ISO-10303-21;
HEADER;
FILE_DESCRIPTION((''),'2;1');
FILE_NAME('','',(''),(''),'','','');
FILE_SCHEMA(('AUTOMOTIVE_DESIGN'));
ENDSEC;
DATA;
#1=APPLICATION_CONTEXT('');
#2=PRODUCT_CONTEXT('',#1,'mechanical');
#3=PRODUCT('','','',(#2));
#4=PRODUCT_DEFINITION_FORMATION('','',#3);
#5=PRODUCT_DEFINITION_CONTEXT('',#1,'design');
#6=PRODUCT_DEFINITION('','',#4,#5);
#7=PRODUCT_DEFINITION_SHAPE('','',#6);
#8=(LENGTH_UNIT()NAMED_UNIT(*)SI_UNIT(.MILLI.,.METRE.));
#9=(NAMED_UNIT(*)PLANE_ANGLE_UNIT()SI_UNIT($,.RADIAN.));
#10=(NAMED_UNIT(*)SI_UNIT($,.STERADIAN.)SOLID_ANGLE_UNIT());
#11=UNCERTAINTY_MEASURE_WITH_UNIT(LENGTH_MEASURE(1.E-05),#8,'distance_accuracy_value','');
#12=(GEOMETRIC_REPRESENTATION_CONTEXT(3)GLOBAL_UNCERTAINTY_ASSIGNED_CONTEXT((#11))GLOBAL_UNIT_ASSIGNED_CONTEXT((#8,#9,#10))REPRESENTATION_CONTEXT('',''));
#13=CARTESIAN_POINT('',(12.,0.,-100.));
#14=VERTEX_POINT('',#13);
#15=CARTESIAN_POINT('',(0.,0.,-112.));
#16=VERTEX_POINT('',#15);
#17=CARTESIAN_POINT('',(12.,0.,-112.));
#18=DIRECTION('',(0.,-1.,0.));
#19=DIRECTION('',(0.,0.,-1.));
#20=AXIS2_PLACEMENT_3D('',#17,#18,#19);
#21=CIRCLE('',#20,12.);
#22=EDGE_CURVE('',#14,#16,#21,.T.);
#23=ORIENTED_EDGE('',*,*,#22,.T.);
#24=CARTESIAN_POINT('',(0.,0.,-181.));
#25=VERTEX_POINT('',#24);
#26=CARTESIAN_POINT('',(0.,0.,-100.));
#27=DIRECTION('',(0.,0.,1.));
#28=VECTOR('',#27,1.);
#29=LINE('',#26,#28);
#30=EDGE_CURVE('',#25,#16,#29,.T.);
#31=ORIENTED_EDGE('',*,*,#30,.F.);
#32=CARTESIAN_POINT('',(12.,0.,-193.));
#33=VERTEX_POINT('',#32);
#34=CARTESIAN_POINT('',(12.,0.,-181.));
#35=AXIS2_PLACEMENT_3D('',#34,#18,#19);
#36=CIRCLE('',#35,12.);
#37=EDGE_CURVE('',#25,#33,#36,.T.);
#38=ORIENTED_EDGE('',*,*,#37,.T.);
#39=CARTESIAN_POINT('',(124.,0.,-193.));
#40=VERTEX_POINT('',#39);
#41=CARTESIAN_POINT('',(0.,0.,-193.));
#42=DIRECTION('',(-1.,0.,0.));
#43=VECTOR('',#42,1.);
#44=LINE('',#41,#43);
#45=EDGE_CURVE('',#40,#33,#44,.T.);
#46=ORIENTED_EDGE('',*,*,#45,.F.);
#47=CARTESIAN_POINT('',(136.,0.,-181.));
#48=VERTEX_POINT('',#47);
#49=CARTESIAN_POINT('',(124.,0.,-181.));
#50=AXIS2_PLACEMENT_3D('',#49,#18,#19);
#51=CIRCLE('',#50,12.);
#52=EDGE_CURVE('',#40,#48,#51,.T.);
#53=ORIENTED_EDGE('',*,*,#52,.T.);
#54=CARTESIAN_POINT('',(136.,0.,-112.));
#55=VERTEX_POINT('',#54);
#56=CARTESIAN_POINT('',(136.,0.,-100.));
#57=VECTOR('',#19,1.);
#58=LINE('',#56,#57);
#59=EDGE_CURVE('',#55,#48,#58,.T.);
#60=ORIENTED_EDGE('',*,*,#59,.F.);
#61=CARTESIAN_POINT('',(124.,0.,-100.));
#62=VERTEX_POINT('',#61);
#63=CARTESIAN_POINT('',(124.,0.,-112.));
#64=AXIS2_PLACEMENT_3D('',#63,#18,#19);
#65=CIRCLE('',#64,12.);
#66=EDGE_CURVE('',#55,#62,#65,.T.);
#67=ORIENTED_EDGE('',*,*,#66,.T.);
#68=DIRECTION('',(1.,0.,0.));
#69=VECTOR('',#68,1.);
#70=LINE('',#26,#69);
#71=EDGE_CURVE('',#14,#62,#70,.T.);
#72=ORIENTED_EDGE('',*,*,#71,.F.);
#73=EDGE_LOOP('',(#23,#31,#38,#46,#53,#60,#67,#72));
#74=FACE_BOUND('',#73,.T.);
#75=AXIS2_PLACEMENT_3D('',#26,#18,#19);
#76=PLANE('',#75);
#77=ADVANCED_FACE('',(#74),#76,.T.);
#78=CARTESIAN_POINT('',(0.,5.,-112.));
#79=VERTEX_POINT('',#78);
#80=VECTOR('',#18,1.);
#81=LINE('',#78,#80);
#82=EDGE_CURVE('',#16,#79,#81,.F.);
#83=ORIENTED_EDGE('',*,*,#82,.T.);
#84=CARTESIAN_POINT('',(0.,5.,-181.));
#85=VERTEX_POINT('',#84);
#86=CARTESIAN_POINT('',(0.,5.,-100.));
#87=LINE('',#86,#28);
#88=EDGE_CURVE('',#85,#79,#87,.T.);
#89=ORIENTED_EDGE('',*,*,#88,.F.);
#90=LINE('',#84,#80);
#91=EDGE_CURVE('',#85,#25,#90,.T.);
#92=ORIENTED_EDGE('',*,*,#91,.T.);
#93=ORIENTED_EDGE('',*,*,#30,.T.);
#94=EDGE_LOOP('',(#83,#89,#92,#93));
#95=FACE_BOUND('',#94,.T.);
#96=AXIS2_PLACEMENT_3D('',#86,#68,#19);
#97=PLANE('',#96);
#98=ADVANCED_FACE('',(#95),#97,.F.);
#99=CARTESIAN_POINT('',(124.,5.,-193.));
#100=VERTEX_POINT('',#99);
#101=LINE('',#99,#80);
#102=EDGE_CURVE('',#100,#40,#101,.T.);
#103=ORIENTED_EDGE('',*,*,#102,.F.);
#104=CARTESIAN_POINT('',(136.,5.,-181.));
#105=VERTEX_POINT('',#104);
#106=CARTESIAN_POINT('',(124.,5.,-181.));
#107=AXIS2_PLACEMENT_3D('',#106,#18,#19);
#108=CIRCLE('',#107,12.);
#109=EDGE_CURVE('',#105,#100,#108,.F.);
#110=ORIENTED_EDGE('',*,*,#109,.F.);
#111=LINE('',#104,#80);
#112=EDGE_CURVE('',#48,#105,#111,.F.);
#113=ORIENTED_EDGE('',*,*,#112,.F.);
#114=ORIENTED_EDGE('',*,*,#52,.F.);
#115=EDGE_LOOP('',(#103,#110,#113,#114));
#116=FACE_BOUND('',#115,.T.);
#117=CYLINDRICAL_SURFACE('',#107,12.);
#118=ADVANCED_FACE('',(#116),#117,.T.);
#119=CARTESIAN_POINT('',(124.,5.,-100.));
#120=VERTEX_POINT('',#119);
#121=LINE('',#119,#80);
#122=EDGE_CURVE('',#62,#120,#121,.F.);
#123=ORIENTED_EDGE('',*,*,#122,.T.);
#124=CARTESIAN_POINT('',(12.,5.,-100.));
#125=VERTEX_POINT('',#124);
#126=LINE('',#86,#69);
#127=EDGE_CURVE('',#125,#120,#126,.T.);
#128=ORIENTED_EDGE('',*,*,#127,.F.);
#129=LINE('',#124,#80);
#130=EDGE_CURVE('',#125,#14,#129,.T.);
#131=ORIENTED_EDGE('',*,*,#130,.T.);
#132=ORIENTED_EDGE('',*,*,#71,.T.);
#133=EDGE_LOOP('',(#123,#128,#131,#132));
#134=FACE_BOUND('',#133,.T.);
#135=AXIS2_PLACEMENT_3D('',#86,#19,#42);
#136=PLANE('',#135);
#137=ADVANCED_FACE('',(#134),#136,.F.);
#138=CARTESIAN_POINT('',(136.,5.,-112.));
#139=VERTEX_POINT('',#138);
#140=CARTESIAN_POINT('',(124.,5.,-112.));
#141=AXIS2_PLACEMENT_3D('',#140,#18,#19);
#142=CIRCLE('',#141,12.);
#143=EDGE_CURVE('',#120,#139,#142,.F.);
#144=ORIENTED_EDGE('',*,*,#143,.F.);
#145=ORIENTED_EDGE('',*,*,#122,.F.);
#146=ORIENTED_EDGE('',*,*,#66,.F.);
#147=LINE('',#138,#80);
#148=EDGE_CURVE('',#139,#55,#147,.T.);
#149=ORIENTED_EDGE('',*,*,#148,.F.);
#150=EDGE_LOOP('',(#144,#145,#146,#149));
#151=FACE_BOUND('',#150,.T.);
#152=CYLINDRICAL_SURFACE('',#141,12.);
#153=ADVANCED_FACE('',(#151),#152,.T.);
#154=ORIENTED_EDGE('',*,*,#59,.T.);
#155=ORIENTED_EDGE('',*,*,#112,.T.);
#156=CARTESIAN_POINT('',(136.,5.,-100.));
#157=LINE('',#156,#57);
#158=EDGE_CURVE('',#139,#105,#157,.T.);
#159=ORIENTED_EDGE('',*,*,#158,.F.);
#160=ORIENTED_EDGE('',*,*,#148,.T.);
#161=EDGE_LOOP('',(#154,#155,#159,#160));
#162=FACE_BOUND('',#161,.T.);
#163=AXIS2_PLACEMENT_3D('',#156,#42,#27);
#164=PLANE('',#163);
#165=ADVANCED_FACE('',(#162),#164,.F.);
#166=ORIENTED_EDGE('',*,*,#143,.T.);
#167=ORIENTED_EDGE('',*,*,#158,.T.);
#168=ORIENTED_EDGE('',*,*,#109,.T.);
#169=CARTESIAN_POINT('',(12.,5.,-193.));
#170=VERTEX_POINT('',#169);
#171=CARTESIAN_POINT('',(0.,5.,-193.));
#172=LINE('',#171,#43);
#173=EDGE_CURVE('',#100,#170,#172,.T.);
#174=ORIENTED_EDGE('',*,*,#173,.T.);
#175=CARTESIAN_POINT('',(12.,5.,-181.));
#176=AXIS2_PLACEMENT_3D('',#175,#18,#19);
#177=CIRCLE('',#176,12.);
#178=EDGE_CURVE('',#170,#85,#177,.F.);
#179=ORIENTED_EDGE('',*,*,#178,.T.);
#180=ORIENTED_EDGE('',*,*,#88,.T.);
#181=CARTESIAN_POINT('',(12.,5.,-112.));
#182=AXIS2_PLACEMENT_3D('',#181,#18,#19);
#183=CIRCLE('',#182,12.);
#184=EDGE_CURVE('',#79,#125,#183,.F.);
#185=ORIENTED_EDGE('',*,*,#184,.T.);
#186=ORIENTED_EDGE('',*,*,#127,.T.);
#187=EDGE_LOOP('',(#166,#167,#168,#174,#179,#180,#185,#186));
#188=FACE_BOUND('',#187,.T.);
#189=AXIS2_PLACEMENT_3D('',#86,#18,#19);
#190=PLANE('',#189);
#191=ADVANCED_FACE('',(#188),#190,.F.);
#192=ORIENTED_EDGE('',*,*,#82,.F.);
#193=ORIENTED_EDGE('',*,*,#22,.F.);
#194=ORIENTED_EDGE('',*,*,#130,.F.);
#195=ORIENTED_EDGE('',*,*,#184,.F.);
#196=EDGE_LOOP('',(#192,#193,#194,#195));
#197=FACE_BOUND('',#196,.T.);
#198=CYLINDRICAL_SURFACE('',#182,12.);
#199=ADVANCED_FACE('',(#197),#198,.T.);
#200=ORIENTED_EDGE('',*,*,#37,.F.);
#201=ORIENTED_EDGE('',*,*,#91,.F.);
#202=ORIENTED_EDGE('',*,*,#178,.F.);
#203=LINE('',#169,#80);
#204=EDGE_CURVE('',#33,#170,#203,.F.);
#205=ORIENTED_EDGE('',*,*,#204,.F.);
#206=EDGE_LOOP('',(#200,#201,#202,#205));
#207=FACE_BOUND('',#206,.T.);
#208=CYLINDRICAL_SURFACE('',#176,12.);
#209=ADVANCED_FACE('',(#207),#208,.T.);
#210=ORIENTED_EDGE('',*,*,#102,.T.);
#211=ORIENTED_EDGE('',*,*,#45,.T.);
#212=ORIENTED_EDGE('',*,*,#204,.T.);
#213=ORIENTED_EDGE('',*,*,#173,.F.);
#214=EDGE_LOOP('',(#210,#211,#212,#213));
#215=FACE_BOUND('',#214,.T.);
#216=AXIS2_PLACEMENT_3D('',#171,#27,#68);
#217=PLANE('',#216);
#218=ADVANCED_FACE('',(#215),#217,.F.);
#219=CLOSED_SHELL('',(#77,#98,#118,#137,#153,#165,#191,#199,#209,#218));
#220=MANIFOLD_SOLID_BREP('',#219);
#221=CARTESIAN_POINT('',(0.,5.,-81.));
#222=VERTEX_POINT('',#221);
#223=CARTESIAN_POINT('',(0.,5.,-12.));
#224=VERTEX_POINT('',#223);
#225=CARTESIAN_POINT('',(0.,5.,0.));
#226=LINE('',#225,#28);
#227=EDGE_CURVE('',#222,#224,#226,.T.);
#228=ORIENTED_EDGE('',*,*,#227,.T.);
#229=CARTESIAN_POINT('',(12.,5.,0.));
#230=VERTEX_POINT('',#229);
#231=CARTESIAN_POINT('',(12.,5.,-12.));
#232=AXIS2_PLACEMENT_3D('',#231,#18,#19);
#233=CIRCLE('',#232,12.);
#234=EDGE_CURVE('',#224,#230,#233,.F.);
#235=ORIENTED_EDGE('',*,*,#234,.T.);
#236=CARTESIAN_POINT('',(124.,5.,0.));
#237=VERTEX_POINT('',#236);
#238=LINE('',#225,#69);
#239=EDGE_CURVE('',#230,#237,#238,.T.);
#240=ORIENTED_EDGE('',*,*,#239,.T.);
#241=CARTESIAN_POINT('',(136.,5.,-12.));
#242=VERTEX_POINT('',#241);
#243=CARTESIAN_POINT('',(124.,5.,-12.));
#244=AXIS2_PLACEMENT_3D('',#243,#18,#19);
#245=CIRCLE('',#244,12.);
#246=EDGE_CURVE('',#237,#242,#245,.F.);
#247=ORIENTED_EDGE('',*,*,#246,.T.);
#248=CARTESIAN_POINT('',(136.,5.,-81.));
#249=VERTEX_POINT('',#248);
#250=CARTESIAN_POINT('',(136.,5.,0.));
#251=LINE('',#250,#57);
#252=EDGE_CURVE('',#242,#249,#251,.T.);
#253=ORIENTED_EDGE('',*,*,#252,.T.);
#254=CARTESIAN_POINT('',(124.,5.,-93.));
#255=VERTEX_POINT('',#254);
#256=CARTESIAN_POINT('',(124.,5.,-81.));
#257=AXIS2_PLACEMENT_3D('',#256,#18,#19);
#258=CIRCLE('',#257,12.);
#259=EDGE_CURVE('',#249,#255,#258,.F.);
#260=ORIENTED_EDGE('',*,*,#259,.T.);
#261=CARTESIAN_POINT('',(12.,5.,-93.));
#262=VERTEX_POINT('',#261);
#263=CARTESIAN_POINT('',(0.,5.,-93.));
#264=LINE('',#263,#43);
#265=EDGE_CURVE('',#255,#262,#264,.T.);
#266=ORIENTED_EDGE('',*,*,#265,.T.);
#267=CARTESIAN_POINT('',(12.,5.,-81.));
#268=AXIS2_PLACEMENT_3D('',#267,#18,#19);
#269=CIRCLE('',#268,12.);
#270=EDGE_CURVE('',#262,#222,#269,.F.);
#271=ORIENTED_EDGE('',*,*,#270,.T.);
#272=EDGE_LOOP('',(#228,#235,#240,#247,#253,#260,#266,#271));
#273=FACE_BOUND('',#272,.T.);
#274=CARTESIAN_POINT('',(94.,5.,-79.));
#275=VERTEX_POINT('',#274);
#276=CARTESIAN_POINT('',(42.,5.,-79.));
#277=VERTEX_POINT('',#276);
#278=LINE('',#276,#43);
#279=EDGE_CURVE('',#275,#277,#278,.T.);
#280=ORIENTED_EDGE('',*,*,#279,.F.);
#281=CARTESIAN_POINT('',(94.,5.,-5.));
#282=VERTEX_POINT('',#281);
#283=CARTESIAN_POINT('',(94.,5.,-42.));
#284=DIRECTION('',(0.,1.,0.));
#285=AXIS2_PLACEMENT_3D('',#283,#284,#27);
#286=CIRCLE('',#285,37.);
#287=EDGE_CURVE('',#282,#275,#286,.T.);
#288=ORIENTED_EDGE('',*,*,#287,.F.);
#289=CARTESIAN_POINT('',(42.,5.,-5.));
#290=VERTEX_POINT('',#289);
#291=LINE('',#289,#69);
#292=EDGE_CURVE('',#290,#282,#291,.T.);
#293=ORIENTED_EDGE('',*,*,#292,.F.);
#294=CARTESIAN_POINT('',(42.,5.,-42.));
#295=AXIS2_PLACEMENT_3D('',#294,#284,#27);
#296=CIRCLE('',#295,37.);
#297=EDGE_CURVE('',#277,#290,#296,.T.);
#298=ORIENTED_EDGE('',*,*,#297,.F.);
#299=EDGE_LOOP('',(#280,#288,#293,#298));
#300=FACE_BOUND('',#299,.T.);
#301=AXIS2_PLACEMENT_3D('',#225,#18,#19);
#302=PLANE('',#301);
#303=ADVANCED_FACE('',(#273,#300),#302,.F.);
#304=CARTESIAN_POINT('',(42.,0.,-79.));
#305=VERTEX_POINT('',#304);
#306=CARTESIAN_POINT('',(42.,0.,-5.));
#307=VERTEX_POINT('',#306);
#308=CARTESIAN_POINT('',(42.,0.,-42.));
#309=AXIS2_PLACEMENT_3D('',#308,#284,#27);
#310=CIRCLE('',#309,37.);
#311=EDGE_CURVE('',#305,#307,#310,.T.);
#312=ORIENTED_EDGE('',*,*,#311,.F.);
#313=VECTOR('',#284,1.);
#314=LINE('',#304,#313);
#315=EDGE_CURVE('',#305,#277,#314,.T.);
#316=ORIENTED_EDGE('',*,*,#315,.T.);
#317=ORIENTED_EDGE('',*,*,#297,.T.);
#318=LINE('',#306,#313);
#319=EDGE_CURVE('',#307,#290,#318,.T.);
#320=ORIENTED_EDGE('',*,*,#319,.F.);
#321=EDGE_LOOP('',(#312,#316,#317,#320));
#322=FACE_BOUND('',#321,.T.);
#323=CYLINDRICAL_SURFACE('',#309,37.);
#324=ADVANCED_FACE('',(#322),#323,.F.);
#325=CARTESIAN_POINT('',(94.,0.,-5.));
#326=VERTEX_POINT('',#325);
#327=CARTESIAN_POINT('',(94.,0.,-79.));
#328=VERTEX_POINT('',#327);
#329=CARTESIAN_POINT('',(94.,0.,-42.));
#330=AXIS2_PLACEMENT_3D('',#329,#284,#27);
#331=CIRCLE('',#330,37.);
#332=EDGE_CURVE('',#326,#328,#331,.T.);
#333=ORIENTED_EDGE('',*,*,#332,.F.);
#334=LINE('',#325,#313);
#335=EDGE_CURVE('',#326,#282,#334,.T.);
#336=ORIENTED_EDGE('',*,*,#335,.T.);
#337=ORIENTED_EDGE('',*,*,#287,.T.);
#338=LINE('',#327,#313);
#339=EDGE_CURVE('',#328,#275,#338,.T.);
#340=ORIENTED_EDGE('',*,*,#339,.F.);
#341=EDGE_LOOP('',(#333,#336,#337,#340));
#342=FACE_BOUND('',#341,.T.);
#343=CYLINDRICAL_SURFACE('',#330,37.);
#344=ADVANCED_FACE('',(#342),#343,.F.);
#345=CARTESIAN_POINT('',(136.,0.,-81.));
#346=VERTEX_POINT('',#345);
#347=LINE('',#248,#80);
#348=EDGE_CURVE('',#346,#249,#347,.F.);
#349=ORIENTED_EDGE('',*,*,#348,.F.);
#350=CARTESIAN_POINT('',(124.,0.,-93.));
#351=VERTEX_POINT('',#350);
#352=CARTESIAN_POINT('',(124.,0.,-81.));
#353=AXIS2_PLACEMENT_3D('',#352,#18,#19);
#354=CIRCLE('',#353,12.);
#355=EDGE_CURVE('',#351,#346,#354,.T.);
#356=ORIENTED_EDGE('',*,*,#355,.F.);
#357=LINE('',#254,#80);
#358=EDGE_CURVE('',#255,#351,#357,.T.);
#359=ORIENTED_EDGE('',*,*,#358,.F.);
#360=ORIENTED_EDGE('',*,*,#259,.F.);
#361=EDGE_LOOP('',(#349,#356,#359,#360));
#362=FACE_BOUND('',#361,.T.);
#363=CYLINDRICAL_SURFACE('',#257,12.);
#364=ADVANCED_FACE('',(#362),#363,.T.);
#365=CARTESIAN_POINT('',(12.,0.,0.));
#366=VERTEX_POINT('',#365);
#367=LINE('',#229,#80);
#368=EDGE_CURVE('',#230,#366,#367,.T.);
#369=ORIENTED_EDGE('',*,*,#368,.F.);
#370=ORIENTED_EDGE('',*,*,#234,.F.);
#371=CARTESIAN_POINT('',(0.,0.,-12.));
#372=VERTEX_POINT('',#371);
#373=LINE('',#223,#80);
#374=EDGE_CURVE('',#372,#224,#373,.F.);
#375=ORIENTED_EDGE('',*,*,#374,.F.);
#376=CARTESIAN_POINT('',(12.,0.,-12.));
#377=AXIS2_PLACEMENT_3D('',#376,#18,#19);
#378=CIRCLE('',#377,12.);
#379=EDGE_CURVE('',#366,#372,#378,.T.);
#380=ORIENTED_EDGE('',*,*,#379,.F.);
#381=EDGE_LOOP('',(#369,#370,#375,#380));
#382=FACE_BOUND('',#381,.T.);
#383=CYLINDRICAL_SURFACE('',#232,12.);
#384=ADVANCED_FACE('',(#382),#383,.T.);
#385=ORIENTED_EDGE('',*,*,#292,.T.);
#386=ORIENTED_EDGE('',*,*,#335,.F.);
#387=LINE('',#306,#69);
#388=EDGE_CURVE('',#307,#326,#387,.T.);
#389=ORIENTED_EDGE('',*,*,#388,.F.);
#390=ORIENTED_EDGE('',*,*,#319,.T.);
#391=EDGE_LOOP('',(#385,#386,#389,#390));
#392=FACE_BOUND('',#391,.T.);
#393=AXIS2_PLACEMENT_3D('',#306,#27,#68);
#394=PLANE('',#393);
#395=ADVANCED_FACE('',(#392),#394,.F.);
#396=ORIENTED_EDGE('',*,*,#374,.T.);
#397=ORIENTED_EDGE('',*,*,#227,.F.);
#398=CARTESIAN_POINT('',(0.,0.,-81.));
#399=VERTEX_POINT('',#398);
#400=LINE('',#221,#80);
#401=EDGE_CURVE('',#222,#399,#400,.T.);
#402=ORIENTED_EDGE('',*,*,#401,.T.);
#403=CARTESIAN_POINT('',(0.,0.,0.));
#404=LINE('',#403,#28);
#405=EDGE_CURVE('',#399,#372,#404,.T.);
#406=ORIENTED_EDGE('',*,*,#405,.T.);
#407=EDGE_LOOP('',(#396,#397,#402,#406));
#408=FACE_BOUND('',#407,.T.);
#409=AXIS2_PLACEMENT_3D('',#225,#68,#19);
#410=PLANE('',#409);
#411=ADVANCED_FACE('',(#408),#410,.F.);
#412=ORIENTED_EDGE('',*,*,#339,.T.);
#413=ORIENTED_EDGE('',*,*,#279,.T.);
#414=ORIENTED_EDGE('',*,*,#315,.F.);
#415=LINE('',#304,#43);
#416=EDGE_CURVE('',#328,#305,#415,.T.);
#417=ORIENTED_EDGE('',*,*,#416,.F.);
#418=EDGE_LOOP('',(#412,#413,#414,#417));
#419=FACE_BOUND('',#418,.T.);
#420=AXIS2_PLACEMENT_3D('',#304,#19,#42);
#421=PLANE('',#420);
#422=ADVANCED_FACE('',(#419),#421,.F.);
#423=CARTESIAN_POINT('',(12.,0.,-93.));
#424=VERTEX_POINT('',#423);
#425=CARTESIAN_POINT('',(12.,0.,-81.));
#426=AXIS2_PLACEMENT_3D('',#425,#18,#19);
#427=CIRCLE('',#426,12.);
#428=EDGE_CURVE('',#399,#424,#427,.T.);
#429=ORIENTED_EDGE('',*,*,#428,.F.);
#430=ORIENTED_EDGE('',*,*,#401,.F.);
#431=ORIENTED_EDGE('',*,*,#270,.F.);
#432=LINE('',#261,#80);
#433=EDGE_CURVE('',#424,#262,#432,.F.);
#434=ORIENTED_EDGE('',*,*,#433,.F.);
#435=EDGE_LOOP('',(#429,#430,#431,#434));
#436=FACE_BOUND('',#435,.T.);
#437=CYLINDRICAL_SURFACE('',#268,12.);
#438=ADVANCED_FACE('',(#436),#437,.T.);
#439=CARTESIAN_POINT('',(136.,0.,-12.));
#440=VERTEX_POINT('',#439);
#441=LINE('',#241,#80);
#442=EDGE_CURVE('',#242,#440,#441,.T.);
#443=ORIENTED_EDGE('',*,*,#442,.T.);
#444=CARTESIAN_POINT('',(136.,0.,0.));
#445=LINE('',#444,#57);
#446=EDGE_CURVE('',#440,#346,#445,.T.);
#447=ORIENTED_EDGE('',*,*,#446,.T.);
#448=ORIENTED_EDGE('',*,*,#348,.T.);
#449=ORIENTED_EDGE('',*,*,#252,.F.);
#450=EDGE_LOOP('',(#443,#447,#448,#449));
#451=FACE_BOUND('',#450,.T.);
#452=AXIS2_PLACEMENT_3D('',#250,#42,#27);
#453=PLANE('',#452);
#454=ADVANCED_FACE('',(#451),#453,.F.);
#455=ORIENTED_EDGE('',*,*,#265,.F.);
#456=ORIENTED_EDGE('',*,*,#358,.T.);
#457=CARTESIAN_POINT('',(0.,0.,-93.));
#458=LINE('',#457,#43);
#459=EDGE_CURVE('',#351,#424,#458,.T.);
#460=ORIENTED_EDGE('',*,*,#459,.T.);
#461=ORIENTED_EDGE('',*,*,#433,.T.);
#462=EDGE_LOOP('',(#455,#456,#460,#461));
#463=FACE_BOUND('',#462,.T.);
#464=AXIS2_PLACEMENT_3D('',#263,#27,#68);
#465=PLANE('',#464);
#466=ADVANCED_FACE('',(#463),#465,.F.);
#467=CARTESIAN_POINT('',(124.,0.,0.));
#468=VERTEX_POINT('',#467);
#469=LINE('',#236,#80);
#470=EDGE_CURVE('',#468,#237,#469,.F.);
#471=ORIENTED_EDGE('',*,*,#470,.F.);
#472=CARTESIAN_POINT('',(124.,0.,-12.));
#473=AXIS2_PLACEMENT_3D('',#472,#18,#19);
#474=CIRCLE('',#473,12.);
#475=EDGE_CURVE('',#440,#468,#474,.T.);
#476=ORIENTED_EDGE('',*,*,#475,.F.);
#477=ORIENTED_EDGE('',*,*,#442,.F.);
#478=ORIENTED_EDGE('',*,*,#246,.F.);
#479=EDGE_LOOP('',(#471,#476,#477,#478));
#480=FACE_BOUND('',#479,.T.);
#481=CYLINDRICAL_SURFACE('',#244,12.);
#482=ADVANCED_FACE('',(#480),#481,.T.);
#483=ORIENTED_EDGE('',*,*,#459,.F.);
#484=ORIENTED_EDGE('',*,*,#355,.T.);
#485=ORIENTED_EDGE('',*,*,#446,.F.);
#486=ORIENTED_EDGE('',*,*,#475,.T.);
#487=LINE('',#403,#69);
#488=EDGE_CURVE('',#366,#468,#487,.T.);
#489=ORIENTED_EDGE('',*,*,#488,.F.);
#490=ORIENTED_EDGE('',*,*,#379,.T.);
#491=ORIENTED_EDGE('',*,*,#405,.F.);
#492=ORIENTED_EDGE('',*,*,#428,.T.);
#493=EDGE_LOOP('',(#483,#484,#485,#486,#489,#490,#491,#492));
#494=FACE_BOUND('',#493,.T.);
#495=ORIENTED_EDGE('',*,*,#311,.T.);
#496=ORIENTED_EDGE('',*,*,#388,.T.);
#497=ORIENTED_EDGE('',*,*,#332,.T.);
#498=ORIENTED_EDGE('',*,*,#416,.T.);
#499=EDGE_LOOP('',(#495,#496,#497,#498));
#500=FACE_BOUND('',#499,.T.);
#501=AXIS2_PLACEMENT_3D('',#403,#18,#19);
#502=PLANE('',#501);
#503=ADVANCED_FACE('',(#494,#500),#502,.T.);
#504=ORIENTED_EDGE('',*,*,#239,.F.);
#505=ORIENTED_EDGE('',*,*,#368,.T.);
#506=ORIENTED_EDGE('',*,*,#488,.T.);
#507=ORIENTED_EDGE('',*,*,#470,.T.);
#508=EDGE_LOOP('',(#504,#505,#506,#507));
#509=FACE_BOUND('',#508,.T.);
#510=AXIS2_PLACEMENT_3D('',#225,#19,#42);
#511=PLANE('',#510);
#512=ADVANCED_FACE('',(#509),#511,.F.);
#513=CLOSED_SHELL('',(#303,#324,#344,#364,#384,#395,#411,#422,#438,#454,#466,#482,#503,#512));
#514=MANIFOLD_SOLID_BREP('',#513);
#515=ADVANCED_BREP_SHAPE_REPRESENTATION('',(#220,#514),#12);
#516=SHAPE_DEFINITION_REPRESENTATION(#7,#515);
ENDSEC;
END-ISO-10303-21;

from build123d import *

# Parameters (mm, degrees)
SKETCH1_W           = 136
SKETCH1_H           = 93
BOSS_EXTRUDE1_DEPTH = 5
FILLET1_R           = 12
CUT_EXTRUDE1_DEPTH  = 237.15672762


with BuildPart() as part:
    # Sketch1 → Boss-Extrude1 (new body)
    with BuildSketch(Plane(origin=(0, 0, 0), x_dir=(1, 0, 0), z_dir=(0, 1, 0))):
        with Locations((68, 46.5)):
            Rectangle(SKETCH1_W, SKETCH1_H)
    extrude(amount=BOSS_EXTRUDE1_DEPTH)

    # Fillet1
    fillet1_edges = [part.edges().sort_by_distance(p)[0] for p in [
        (0, 2.5, -93),
        (136, 2.5, -93),
        (136, 2.5, 0),
        (0, 2.5, 0),
    ]]
    fillet(fillet1_edges, radius=FILLET1_R)


with BuildPart() as body_2:
    # Body-Move/Copy1: copy of part
    add(part.part.moved(Location((0, 0, -100))))


with BuildPart() as part_1:
    add(part.part)

    # Sketch2 → Cut-Extrude1 (cut, through all)
    with BuildSketch(Plane(origin=(0, 5, 0), x_dir=(1, 0, 0), z_dir=(0, 1, 0))):
        with BuildLine():
            Line((42, 79), (94, 79))
            ThreePointArc((94, 79), (131, 42), (94, 5))
            Line((94, 5), (42, 5))
            ThreePointArc((42, 5), (5, 42), (42, 79))
        make_face()
    extrude(amount=-CUT_EXTRUDE1_DEPTH, mode=Mode.SUBTRACT)


solid = Compound([body_2.part, part_1.part])
